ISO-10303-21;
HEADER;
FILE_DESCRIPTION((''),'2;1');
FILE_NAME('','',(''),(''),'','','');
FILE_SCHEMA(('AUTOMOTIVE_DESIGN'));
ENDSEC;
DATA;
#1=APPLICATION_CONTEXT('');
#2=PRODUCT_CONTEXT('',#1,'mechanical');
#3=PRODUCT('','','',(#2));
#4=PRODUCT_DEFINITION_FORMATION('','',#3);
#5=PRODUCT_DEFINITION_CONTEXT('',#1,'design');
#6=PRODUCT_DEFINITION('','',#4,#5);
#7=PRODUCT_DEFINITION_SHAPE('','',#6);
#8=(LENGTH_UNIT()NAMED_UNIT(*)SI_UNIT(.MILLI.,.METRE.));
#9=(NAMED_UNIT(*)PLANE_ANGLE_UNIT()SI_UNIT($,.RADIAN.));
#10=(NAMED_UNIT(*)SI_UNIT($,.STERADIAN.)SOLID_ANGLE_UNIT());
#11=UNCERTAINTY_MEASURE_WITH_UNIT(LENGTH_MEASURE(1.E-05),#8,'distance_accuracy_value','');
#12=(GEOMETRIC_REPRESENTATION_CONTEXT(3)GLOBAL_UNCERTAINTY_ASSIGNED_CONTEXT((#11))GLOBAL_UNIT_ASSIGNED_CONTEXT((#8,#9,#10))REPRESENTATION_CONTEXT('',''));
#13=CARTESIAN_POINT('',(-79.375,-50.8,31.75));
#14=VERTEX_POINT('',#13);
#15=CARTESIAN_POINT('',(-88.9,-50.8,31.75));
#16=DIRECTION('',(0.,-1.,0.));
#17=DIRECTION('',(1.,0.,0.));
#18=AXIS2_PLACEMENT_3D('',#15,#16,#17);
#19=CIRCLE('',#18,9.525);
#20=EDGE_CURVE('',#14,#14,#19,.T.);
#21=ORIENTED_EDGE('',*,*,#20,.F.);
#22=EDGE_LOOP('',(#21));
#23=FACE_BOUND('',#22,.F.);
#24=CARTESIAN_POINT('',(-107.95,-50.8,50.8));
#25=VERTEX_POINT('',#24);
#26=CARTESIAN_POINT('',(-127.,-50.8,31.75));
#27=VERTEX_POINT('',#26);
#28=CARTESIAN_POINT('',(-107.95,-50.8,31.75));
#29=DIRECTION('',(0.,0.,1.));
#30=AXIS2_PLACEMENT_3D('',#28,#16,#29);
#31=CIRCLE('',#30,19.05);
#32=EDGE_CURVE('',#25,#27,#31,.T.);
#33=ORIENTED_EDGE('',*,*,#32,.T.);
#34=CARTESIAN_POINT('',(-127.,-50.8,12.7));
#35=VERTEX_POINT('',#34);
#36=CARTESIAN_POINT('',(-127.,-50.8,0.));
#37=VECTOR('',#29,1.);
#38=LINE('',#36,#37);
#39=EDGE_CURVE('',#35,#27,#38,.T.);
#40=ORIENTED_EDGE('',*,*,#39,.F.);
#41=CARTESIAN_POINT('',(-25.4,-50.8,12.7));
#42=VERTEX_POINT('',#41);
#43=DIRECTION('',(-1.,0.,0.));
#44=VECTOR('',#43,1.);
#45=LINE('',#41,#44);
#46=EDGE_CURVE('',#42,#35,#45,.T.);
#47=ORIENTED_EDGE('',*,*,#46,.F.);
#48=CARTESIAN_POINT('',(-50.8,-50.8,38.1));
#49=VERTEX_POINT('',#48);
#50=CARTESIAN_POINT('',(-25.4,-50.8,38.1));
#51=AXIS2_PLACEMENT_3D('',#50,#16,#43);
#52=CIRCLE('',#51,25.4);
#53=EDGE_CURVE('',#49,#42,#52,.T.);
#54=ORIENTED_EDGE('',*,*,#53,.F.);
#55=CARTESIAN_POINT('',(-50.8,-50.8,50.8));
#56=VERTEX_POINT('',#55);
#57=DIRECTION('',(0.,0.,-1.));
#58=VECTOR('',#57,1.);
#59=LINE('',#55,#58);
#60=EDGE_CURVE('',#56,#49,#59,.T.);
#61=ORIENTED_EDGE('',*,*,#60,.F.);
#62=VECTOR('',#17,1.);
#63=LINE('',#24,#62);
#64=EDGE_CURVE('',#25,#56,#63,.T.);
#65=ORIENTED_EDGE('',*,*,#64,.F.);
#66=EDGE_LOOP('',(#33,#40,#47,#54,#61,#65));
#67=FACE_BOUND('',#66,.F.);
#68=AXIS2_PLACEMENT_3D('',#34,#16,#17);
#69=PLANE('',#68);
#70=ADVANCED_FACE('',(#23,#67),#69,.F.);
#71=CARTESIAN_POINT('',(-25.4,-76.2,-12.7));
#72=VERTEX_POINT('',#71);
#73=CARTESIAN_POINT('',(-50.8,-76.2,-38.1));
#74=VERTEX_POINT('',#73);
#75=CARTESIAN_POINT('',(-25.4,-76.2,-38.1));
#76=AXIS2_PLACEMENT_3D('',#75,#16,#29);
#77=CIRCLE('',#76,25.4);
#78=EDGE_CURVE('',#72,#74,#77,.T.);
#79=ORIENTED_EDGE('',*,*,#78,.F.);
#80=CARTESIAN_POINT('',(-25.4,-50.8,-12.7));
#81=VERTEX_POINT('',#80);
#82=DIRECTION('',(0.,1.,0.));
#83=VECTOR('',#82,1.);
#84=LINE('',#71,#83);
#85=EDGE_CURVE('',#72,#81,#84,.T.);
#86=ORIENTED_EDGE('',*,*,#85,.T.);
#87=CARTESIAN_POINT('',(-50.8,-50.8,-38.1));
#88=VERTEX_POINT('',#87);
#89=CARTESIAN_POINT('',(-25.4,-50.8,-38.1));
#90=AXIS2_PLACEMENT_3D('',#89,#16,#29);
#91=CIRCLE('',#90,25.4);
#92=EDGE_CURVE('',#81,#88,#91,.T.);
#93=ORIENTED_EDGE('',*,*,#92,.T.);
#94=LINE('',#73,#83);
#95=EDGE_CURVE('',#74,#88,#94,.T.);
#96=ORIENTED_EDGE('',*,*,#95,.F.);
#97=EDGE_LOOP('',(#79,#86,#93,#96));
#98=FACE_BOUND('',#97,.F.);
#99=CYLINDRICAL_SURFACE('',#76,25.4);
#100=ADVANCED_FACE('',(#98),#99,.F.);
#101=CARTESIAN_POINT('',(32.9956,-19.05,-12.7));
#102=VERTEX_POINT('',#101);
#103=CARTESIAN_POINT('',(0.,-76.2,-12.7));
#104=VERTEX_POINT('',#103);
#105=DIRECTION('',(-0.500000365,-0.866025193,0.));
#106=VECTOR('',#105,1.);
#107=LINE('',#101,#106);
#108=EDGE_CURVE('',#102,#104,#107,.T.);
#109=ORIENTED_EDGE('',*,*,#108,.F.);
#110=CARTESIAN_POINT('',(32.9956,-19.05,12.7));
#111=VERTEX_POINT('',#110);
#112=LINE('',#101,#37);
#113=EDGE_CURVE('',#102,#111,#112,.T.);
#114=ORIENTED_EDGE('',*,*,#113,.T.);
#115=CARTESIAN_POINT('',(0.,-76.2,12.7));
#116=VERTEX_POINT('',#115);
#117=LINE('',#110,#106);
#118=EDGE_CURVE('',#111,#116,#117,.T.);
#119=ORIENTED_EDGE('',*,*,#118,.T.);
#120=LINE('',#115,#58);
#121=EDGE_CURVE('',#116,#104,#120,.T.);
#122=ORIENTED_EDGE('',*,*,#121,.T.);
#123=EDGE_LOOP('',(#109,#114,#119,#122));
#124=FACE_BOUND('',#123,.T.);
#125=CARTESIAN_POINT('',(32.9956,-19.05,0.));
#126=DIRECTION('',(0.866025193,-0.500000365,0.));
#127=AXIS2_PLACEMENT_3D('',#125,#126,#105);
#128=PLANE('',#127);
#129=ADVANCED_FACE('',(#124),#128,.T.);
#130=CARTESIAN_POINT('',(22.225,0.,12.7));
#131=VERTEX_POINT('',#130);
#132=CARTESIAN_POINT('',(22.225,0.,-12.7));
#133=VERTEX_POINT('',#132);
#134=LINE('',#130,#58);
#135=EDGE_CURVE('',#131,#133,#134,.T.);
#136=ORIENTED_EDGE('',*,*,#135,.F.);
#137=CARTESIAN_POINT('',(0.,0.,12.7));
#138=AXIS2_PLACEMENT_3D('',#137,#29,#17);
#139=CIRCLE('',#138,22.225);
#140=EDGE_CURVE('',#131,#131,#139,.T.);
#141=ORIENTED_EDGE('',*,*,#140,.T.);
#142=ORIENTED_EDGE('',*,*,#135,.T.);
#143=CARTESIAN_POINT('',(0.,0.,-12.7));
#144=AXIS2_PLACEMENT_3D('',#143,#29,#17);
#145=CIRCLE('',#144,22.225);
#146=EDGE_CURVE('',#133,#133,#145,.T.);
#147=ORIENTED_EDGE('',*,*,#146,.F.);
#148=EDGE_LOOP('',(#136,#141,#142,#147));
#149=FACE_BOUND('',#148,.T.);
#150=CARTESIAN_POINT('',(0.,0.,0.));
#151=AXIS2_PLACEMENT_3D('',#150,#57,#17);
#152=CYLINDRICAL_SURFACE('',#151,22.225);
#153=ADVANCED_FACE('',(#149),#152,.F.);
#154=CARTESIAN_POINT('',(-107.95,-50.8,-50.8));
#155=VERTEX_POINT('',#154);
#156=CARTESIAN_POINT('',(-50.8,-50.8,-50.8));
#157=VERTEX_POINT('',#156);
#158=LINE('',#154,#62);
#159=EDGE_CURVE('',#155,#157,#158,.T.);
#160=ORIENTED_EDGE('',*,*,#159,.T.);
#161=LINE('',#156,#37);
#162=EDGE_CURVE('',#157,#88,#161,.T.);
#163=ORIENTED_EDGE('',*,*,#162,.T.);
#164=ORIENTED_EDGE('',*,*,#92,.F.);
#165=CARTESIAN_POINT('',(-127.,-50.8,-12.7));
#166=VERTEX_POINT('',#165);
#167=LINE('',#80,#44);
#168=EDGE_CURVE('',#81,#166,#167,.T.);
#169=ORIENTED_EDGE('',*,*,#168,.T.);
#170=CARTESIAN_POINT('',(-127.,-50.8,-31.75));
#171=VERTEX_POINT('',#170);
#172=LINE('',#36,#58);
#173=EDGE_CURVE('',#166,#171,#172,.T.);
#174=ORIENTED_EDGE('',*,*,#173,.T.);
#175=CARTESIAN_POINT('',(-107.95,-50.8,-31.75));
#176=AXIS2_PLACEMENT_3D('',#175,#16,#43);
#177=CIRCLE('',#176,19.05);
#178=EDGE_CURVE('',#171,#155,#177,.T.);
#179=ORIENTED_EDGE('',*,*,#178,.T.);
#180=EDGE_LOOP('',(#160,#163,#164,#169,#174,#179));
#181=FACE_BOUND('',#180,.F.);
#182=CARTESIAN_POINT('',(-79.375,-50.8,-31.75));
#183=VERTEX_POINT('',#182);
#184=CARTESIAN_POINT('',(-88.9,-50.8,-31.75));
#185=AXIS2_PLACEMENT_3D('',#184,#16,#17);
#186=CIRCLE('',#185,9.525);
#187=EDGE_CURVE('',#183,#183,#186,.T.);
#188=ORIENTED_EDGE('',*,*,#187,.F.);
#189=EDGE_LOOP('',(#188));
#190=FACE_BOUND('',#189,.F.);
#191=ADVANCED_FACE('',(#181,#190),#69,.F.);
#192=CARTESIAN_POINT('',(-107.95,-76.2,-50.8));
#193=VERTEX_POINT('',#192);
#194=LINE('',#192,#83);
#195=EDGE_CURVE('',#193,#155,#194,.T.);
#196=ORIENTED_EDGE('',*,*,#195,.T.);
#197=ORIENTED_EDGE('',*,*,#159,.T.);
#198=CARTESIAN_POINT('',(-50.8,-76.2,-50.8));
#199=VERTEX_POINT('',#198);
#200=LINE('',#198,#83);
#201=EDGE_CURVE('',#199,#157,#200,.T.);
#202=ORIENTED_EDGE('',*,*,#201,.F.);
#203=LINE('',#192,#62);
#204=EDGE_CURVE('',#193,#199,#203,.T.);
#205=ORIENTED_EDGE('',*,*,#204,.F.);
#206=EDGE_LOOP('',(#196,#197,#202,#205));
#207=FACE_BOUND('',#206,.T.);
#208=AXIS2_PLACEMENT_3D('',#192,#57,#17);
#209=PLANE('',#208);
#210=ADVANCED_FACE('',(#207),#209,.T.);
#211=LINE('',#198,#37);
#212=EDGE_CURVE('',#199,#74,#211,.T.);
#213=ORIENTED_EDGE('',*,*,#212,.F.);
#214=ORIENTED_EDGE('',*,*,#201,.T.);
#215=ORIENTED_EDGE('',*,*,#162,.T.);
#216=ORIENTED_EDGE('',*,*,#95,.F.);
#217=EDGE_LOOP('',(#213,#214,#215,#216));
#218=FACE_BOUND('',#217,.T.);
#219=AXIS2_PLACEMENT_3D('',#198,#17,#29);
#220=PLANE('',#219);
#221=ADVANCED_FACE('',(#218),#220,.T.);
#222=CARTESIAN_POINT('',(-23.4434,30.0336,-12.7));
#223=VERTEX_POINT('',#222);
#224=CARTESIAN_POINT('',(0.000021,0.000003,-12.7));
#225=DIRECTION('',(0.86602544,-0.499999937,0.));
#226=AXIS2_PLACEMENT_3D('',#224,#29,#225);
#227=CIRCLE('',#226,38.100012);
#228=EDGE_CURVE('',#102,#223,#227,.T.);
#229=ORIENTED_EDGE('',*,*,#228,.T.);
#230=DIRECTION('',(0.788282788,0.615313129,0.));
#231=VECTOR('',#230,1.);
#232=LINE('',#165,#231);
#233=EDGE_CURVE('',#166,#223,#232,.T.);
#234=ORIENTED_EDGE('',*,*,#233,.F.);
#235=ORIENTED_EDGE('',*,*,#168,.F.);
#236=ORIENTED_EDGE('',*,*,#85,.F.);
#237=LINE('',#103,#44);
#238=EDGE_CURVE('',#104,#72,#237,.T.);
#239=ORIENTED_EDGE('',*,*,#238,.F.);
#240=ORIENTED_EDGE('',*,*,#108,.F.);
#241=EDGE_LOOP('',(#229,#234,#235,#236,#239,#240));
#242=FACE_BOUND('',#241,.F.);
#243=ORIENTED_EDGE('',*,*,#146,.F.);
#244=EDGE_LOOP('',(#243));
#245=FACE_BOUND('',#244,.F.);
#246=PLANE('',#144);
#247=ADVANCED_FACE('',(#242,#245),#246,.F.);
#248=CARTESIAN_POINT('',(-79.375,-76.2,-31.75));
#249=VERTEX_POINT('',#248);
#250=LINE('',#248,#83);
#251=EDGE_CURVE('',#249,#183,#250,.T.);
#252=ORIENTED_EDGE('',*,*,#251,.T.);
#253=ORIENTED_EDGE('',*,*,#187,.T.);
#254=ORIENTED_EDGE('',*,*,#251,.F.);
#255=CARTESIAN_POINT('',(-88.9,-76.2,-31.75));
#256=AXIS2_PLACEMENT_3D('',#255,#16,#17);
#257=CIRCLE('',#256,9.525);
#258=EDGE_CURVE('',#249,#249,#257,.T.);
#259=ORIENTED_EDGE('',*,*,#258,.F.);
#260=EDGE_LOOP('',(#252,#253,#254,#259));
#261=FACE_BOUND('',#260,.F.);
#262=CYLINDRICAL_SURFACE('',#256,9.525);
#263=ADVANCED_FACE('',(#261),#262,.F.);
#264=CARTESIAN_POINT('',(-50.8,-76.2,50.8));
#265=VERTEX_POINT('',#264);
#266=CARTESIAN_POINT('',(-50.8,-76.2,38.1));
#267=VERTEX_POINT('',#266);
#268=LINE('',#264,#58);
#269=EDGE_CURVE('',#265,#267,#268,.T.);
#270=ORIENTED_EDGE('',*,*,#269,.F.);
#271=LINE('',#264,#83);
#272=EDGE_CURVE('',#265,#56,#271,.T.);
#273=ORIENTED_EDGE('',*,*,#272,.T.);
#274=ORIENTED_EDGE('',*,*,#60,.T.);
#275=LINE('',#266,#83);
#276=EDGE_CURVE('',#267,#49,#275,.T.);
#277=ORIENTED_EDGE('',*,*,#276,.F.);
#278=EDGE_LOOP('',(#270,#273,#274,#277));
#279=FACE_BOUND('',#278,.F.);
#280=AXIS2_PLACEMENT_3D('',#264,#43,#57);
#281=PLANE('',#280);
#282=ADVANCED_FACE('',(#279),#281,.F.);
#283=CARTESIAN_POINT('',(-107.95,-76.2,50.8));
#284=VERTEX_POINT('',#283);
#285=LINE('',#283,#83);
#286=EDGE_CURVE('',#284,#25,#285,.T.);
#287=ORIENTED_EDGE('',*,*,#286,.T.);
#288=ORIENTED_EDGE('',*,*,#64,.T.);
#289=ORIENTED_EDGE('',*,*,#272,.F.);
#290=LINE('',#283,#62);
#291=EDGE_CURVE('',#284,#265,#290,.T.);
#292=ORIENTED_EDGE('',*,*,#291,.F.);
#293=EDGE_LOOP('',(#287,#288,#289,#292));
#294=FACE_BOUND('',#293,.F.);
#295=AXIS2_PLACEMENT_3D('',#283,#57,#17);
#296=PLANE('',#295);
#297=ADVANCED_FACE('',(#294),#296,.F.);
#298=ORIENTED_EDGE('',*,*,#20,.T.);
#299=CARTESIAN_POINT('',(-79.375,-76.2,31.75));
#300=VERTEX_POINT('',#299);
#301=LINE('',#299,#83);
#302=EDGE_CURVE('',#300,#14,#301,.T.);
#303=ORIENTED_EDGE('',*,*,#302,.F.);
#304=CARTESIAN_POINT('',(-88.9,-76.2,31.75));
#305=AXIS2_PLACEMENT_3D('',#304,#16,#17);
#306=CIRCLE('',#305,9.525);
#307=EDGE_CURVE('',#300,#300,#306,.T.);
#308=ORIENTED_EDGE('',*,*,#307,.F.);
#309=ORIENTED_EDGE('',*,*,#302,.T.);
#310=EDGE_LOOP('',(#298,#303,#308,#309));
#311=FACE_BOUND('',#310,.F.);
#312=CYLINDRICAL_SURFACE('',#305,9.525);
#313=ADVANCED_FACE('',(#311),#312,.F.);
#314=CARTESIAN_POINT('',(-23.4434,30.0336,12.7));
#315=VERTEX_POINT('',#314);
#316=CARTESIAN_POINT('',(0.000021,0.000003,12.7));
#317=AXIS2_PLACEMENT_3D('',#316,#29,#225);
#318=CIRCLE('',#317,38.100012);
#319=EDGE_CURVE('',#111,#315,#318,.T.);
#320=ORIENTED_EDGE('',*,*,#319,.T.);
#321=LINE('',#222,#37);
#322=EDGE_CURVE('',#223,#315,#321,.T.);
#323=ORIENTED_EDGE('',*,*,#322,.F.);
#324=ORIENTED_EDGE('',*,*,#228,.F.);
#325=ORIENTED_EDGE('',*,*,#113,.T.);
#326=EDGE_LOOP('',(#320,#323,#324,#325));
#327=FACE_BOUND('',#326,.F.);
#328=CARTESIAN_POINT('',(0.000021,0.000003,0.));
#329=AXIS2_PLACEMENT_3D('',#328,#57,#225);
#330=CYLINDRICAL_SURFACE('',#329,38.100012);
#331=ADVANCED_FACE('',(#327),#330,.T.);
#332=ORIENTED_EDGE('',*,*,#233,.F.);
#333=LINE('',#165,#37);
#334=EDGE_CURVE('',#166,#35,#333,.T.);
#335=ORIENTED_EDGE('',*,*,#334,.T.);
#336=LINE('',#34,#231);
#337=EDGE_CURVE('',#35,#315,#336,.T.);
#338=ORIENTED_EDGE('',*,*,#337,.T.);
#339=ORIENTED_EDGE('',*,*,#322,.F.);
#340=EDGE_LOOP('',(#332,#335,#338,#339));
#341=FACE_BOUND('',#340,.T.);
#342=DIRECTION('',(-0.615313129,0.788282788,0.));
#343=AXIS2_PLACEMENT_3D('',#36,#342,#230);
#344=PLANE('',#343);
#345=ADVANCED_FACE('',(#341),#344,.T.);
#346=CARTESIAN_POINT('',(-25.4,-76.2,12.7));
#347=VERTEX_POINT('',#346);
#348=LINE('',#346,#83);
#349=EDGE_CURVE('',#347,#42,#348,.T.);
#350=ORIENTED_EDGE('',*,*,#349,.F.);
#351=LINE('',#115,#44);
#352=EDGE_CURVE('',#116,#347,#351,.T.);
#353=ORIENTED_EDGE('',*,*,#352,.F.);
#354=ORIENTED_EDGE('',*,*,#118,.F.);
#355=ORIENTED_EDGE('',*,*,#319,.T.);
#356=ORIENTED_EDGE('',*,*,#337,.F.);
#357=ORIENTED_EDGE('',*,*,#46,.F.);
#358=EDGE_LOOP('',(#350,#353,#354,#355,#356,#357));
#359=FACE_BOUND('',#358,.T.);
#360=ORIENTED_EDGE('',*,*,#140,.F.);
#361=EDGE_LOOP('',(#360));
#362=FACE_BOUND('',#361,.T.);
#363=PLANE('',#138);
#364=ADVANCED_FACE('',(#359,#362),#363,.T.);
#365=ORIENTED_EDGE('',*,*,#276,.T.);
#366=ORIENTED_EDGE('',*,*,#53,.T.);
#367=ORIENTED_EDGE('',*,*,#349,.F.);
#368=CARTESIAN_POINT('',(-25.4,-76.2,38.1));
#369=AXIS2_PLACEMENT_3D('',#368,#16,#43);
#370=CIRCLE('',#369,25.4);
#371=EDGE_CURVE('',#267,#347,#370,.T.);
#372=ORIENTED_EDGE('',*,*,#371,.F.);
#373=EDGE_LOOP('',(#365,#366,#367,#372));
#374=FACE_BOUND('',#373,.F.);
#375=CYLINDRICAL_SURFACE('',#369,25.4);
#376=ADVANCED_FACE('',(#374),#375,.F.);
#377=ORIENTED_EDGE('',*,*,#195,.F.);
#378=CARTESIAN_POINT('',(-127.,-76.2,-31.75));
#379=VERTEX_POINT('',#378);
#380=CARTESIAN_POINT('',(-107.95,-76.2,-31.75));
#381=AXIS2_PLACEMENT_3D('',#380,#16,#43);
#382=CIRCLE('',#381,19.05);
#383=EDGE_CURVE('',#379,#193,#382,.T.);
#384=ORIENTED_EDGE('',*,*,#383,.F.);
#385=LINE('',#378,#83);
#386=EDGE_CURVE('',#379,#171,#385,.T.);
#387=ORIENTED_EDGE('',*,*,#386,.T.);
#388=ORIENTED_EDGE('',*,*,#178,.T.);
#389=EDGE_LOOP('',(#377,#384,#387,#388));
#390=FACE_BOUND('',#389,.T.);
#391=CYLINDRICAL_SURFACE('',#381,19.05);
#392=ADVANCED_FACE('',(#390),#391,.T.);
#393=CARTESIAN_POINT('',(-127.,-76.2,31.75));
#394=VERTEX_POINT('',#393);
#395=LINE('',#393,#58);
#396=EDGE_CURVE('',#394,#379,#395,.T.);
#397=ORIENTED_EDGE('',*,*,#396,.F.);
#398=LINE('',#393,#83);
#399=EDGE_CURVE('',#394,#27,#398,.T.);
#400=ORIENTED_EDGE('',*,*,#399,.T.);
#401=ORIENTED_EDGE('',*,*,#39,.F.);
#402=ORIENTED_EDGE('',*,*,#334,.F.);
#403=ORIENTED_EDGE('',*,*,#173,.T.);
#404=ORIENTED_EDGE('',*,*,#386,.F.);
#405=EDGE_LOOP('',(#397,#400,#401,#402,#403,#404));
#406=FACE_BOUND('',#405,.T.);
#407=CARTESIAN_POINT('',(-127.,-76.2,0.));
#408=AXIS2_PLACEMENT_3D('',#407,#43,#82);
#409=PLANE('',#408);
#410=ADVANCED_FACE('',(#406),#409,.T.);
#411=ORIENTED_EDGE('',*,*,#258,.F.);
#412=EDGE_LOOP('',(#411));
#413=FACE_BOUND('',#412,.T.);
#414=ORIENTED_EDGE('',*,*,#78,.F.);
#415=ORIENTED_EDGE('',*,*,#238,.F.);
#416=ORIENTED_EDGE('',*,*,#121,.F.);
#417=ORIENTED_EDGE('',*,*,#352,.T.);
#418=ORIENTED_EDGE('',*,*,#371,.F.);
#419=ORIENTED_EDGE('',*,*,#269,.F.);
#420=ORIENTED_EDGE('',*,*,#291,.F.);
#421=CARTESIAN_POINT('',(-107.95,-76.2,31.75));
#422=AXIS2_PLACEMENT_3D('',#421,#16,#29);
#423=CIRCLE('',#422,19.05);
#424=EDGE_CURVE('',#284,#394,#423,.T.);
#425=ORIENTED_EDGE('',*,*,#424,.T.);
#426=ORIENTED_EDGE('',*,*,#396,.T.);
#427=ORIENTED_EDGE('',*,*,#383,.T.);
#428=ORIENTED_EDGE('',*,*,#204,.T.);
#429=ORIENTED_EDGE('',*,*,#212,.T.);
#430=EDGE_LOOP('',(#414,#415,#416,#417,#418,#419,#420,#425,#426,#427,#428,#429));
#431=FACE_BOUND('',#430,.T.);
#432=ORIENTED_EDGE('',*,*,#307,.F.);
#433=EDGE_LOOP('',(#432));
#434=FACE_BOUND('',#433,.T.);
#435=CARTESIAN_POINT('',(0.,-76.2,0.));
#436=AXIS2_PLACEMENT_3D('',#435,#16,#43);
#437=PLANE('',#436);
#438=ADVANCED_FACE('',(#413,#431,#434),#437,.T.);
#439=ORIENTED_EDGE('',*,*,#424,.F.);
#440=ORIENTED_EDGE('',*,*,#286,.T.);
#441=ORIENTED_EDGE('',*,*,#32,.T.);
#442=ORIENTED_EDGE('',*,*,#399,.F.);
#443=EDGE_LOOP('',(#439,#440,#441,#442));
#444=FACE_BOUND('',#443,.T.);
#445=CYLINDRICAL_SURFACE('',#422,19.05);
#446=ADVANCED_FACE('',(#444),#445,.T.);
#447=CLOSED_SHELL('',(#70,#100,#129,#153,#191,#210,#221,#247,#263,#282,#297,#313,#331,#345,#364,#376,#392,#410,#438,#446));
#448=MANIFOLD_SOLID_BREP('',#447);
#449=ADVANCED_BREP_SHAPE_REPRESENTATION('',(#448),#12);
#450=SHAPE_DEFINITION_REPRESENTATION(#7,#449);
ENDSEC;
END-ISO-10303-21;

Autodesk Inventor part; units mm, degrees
ref_plane "YZ Plane" through (0, 0, 0) normal (1, 0, 0) x (0, 1, 0)
ref_plane "XZ Plane" through (0, 0, 0) normal (0, 1, 0) x (-1, 0, 0)
ref_plane "XY Plane" through (0, 0, 0) normal (0, 0, 1) x (1, 0, 0)
sketch "Sketch1" plane through (0, 0, 0) normal (0, 0, 1) x (1, 0, 0)
  circle A0 centre (0, 0) radius 22.225
  arc A1 (32.9956, -19.05) -> (-23.4434, 30.0336) centre (0, 0) ccw
  line L0 (32.9956, -19.05) -> (0, -76.2)
  line L1 (0, -76.2) -> (-127, -76.2)
  line L2 (-127, -76.2) -> (-127, -50.8)
  line L3 (-127, -50.8) -> (-23.4434, 30.0336)
  dimension "d0" = 44.45
  dimension "d1" = 38.1
  dimension "d2" = 76.2
  dimension "d3" = 127
  dimension "d4" = 25.4
extrude "Extrusion1" add sketch "Sketch1" along normal mid plane 25.4
sketch "Sketch2" plane through (-127, -76.2, 12.7) normal (0, -1, 0) x (1, 0, 0)
  line L0 (0, -25.4) -> (0, 0) construction
  line L1 (0, -12.7) -> (165.1, -12.7) construction
  line L2 (165.1, -25.4) -> (165.1, 0) construction
  line L3 (0, -12.7) -> (0, 19.05)
  line L4 (19.05, 38.1) -> (76.2, 38.1)
  line L5 (76.2, 38.1) -> (76.2, 25.4)
  line L6 (76.2, 25.4) -> (76.2, 0.0039) construction
  arc A0 (76.2, 25.4) -> (101.6, 0) centre (101.6, 25.4) ccw
  line L7 (101.6, 0) -> (0, 0)
  circle A1 centre (38.1, 19.05) radius 9.525
  arc A2 (19.05, 38.1) -> (0, 19.05) centre (19.05, 19.05) ccw
  line L8 (0, 0) -> (0, -25.4) construction
  line L9 (0, -12.7) -> (0, -44.45)
  line L10 (19.05, -63.5) -> (76.2, -63.5)
  line L11 (76.2, -63.5) -> (76.2, -50.8)
  line L12 (76.2, -50.8) -> (76.2, -25.4039) construction
  arc A3 (101.6, -25.4) -> (76.2, -50.8) centre (101.6, -50.8) ccw
  line L13 (101.6, -25.4) -> (0, -25.4)
  circle A4 centre (38.1, -44.45) radius 9.525
  arc A5 (0, -44.45) -> (19.05, -63.5) centre (19.05, -44.45) ccw
  point P0 (127, -12.7)
  point P1 (0, 38.1)
  point P2 (0, -63.5)
  dimension "d7" = 19.05
  dimension "d8" = 101.6
  dimension "d9" = 19.05
  dimension "d10" = 76.2
  dimension "d11" = 25.4
  dimension "d12" = 19.05
  dimension "d13" = 38.1
extrude "Extrusion2" add sketch "Sketch2" against normal blind 25.4
properties part number "AnchorBase"
